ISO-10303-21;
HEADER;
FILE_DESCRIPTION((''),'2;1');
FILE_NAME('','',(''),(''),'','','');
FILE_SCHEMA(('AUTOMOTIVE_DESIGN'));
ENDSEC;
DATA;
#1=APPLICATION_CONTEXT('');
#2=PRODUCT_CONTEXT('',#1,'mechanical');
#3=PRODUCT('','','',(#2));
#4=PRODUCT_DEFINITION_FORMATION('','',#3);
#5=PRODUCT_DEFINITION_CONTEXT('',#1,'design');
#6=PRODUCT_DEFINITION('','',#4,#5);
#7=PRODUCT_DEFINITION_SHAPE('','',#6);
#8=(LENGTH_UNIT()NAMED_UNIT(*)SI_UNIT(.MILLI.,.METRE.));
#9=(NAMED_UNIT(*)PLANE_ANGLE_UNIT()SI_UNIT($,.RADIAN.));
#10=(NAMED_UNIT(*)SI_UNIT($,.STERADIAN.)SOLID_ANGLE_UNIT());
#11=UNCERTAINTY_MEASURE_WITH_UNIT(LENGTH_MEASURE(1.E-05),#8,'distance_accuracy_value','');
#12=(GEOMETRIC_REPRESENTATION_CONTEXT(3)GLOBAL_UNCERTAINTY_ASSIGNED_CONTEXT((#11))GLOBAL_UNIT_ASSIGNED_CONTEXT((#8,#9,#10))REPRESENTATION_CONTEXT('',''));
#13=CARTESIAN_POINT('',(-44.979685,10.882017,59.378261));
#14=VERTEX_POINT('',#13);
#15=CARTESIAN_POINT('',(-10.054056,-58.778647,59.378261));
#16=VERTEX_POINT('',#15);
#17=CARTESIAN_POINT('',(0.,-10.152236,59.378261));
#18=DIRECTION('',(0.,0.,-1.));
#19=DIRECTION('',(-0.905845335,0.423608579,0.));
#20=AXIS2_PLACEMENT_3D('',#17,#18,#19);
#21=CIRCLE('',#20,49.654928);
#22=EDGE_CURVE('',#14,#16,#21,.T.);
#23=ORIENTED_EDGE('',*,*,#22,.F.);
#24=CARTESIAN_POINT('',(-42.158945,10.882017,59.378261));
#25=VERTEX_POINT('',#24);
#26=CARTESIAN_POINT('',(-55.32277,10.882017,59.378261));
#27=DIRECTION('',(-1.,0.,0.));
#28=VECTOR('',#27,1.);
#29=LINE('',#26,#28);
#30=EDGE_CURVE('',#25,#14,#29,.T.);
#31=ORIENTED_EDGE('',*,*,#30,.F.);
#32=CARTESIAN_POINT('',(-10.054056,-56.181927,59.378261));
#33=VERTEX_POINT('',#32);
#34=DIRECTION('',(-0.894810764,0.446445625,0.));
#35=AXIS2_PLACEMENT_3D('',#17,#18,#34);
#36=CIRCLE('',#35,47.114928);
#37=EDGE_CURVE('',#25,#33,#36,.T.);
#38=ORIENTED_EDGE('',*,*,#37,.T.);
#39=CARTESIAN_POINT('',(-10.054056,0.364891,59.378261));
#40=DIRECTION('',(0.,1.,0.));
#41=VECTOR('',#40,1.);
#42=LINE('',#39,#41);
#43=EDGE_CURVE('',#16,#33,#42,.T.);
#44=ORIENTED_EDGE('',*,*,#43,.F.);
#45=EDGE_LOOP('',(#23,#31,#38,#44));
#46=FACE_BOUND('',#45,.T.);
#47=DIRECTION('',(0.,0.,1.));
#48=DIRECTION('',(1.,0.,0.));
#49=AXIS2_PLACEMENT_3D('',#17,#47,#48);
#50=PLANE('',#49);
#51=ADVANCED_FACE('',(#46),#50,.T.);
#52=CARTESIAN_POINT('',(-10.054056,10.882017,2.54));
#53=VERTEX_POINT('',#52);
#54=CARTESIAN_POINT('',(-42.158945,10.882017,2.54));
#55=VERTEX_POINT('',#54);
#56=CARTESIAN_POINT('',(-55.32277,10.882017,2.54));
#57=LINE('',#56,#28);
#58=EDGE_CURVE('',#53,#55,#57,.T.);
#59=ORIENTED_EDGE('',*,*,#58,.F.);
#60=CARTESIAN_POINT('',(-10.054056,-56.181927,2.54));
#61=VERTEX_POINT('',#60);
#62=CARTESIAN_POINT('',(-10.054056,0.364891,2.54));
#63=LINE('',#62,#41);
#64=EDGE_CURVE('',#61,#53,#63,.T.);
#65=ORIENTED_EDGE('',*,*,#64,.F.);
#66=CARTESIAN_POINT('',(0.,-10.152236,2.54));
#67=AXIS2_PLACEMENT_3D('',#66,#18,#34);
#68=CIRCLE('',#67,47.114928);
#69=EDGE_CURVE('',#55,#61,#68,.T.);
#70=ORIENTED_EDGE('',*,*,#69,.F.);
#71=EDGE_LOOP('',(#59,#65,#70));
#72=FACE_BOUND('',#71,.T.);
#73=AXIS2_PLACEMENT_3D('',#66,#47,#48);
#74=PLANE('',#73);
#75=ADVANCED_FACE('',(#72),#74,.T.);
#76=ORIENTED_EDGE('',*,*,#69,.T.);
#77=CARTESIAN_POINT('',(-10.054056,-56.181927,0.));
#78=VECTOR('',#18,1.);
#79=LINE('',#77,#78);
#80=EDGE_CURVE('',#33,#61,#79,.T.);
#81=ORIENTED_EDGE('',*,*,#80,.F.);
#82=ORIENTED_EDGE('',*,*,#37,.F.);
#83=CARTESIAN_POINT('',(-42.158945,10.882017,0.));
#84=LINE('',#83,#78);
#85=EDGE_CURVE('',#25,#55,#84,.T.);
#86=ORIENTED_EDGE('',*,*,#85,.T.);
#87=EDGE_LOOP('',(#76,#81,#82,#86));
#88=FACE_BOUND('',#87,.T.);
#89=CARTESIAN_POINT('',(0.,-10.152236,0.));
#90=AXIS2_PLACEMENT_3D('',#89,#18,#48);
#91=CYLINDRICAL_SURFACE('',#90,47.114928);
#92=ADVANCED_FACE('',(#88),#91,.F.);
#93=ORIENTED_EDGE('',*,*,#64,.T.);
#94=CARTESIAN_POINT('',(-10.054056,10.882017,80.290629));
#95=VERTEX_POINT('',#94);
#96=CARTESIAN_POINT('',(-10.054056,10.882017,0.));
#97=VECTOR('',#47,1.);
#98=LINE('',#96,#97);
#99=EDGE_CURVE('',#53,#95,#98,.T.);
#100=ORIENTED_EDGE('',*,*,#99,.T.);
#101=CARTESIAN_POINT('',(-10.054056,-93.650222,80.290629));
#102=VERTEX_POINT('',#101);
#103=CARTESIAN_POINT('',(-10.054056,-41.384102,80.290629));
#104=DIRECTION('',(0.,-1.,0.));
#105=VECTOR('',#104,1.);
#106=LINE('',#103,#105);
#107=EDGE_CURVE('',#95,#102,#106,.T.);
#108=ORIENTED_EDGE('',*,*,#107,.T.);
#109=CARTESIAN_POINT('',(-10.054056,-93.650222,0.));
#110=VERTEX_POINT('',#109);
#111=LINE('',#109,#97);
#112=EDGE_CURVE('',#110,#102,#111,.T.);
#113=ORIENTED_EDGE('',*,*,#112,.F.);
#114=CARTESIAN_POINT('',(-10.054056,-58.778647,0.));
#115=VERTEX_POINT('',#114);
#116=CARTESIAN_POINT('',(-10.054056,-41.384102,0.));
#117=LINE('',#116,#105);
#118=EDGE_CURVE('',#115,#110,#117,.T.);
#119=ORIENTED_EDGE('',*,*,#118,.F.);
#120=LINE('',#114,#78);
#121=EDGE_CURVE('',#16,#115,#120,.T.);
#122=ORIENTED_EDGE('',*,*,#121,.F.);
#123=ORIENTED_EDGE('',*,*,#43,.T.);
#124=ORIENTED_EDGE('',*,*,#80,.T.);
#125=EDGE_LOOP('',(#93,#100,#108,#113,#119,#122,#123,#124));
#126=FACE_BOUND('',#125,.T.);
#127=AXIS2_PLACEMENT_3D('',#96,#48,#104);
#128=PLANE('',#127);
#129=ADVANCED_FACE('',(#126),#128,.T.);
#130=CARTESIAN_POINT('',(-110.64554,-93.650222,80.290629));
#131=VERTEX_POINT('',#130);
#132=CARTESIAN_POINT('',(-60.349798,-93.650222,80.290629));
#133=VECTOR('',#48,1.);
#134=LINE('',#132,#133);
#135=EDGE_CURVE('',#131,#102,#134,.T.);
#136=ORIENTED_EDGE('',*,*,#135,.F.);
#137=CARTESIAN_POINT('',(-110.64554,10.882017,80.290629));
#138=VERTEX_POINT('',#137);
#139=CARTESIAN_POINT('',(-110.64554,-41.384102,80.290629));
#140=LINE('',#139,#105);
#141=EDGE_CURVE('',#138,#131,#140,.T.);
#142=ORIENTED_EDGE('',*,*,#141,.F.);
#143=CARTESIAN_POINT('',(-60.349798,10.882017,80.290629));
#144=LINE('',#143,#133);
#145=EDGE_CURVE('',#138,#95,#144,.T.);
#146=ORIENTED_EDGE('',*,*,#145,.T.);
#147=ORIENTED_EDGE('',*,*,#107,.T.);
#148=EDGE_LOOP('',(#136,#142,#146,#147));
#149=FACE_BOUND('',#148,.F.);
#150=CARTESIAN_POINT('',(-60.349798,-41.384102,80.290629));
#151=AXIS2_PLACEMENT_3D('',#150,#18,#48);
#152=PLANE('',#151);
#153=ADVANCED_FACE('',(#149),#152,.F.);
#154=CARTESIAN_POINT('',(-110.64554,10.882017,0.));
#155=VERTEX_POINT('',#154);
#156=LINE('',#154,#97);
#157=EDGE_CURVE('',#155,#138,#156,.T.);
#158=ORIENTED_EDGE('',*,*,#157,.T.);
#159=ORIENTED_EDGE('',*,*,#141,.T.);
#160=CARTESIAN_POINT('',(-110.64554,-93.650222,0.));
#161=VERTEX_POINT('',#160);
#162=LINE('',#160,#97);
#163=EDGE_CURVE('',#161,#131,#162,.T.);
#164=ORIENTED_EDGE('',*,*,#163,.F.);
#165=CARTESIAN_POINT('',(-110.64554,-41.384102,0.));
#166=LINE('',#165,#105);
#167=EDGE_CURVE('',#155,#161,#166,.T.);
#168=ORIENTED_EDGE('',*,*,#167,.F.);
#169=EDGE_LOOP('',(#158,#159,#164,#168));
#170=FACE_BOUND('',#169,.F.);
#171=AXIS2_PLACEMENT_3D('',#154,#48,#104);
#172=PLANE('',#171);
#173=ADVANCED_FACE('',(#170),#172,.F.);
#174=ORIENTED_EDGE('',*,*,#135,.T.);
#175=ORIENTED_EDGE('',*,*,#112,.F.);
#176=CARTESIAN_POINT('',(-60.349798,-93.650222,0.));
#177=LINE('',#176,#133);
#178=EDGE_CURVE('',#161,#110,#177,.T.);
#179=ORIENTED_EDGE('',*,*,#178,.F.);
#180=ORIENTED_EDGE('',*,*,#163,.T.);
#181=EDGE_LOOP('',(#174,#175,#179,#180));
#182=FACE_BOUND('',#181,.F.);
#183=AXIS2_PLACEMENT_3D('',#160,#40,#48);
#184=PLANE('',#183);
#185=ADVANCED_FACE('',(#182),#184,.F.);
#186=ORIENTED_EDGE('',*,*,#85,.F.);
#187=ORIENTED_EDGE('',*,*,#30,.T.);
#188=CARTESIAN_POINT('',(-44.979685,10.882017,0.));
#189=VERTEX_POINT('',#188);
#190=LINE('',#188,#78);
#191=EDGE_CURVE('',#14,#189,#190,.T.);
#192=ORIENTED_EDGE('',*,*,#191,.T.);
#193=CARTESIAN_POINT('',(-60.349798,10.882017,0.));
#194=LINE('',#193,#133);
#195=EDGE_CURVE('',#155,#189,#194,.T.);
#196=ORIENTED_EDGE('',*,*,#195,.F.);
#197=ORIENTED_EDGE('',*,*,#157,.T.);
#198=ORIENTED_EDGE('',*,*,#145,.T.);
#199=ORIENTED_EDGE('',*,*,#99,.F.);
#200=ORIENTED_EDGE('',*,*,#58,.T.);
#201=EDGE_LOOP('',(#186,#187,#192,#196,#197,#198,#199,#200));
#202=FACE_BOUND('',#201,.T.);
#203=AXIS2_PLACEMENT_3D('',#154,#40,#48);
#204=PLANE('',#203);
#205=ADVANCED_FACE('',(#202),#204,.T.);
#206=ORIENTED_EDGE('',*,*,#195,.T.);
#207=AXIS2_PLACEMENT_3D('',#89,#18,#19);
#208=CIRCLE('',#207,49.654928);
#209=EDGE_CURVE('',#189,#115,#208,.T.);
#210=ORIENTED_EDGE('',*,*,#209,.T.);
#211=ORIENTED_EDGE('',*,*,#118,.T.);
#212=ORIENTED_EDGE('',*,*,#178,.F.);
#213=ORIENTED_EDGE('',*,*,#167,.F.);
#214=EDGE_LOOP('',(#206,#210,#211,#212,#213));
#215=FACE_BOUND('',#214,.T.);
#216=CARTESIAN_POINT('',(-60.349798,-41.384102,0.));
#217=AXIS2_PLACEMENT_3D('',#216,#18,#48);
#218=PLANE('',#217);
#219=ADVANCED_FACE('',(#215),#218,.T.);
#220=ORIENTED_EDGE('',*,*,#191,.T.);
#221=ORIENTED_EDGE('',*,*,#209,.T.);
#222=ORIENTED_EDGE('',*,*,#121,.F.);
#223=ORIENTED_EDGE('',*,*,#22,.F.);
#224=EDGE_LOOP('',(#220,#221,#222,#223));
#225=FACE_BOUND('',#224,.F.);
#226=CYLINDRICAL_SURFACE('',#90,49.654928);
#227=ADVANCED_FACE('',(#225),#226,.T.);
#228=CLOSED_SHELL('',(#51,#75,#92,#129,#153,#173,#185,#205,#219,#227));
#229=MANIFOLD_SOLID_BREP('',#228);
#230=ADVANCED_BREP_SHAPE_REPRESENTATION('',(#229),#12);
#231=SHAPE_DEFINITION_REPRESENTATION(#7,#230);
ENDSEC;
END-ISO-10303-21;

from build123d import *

# Parameters (mm, degrees)
F0_R     = 49.654928
F1_DEPTH = 59.378261
F2_T     = -2.54
F3_W     = 100.591485
F3_H     = 104.532239
F4_DEPTH = 80.290629


with BuildPart() as f1:
    # F0 (on Top) → F1 (new body)
    with BuildSketch(Plane.XY):
        with Locations((0, -10.152236)):
            Circle(F0_R)
    extrude(amount=F1_DEPTH)

    # F2
    f2_openings = [f1.faces().sort_by_distance(p)[0] for p in [
        (0, -10.152236, 59.378261),
    ]]
    offset(amount=F2_T, openings=f2_openings)

    # F3 (on face) → F4 (join)
    with BuildSketch(Plane(origin=(0, 0, 0), x_dir=(1, 0, 0), z_dir=(0, 0, -1))):
        with Locations((-60.349798, 41.384102)):
            Rectangle(F3_W, F3_H)
    extrude(amount=-F4_DEPTH)


solid = f1.part
